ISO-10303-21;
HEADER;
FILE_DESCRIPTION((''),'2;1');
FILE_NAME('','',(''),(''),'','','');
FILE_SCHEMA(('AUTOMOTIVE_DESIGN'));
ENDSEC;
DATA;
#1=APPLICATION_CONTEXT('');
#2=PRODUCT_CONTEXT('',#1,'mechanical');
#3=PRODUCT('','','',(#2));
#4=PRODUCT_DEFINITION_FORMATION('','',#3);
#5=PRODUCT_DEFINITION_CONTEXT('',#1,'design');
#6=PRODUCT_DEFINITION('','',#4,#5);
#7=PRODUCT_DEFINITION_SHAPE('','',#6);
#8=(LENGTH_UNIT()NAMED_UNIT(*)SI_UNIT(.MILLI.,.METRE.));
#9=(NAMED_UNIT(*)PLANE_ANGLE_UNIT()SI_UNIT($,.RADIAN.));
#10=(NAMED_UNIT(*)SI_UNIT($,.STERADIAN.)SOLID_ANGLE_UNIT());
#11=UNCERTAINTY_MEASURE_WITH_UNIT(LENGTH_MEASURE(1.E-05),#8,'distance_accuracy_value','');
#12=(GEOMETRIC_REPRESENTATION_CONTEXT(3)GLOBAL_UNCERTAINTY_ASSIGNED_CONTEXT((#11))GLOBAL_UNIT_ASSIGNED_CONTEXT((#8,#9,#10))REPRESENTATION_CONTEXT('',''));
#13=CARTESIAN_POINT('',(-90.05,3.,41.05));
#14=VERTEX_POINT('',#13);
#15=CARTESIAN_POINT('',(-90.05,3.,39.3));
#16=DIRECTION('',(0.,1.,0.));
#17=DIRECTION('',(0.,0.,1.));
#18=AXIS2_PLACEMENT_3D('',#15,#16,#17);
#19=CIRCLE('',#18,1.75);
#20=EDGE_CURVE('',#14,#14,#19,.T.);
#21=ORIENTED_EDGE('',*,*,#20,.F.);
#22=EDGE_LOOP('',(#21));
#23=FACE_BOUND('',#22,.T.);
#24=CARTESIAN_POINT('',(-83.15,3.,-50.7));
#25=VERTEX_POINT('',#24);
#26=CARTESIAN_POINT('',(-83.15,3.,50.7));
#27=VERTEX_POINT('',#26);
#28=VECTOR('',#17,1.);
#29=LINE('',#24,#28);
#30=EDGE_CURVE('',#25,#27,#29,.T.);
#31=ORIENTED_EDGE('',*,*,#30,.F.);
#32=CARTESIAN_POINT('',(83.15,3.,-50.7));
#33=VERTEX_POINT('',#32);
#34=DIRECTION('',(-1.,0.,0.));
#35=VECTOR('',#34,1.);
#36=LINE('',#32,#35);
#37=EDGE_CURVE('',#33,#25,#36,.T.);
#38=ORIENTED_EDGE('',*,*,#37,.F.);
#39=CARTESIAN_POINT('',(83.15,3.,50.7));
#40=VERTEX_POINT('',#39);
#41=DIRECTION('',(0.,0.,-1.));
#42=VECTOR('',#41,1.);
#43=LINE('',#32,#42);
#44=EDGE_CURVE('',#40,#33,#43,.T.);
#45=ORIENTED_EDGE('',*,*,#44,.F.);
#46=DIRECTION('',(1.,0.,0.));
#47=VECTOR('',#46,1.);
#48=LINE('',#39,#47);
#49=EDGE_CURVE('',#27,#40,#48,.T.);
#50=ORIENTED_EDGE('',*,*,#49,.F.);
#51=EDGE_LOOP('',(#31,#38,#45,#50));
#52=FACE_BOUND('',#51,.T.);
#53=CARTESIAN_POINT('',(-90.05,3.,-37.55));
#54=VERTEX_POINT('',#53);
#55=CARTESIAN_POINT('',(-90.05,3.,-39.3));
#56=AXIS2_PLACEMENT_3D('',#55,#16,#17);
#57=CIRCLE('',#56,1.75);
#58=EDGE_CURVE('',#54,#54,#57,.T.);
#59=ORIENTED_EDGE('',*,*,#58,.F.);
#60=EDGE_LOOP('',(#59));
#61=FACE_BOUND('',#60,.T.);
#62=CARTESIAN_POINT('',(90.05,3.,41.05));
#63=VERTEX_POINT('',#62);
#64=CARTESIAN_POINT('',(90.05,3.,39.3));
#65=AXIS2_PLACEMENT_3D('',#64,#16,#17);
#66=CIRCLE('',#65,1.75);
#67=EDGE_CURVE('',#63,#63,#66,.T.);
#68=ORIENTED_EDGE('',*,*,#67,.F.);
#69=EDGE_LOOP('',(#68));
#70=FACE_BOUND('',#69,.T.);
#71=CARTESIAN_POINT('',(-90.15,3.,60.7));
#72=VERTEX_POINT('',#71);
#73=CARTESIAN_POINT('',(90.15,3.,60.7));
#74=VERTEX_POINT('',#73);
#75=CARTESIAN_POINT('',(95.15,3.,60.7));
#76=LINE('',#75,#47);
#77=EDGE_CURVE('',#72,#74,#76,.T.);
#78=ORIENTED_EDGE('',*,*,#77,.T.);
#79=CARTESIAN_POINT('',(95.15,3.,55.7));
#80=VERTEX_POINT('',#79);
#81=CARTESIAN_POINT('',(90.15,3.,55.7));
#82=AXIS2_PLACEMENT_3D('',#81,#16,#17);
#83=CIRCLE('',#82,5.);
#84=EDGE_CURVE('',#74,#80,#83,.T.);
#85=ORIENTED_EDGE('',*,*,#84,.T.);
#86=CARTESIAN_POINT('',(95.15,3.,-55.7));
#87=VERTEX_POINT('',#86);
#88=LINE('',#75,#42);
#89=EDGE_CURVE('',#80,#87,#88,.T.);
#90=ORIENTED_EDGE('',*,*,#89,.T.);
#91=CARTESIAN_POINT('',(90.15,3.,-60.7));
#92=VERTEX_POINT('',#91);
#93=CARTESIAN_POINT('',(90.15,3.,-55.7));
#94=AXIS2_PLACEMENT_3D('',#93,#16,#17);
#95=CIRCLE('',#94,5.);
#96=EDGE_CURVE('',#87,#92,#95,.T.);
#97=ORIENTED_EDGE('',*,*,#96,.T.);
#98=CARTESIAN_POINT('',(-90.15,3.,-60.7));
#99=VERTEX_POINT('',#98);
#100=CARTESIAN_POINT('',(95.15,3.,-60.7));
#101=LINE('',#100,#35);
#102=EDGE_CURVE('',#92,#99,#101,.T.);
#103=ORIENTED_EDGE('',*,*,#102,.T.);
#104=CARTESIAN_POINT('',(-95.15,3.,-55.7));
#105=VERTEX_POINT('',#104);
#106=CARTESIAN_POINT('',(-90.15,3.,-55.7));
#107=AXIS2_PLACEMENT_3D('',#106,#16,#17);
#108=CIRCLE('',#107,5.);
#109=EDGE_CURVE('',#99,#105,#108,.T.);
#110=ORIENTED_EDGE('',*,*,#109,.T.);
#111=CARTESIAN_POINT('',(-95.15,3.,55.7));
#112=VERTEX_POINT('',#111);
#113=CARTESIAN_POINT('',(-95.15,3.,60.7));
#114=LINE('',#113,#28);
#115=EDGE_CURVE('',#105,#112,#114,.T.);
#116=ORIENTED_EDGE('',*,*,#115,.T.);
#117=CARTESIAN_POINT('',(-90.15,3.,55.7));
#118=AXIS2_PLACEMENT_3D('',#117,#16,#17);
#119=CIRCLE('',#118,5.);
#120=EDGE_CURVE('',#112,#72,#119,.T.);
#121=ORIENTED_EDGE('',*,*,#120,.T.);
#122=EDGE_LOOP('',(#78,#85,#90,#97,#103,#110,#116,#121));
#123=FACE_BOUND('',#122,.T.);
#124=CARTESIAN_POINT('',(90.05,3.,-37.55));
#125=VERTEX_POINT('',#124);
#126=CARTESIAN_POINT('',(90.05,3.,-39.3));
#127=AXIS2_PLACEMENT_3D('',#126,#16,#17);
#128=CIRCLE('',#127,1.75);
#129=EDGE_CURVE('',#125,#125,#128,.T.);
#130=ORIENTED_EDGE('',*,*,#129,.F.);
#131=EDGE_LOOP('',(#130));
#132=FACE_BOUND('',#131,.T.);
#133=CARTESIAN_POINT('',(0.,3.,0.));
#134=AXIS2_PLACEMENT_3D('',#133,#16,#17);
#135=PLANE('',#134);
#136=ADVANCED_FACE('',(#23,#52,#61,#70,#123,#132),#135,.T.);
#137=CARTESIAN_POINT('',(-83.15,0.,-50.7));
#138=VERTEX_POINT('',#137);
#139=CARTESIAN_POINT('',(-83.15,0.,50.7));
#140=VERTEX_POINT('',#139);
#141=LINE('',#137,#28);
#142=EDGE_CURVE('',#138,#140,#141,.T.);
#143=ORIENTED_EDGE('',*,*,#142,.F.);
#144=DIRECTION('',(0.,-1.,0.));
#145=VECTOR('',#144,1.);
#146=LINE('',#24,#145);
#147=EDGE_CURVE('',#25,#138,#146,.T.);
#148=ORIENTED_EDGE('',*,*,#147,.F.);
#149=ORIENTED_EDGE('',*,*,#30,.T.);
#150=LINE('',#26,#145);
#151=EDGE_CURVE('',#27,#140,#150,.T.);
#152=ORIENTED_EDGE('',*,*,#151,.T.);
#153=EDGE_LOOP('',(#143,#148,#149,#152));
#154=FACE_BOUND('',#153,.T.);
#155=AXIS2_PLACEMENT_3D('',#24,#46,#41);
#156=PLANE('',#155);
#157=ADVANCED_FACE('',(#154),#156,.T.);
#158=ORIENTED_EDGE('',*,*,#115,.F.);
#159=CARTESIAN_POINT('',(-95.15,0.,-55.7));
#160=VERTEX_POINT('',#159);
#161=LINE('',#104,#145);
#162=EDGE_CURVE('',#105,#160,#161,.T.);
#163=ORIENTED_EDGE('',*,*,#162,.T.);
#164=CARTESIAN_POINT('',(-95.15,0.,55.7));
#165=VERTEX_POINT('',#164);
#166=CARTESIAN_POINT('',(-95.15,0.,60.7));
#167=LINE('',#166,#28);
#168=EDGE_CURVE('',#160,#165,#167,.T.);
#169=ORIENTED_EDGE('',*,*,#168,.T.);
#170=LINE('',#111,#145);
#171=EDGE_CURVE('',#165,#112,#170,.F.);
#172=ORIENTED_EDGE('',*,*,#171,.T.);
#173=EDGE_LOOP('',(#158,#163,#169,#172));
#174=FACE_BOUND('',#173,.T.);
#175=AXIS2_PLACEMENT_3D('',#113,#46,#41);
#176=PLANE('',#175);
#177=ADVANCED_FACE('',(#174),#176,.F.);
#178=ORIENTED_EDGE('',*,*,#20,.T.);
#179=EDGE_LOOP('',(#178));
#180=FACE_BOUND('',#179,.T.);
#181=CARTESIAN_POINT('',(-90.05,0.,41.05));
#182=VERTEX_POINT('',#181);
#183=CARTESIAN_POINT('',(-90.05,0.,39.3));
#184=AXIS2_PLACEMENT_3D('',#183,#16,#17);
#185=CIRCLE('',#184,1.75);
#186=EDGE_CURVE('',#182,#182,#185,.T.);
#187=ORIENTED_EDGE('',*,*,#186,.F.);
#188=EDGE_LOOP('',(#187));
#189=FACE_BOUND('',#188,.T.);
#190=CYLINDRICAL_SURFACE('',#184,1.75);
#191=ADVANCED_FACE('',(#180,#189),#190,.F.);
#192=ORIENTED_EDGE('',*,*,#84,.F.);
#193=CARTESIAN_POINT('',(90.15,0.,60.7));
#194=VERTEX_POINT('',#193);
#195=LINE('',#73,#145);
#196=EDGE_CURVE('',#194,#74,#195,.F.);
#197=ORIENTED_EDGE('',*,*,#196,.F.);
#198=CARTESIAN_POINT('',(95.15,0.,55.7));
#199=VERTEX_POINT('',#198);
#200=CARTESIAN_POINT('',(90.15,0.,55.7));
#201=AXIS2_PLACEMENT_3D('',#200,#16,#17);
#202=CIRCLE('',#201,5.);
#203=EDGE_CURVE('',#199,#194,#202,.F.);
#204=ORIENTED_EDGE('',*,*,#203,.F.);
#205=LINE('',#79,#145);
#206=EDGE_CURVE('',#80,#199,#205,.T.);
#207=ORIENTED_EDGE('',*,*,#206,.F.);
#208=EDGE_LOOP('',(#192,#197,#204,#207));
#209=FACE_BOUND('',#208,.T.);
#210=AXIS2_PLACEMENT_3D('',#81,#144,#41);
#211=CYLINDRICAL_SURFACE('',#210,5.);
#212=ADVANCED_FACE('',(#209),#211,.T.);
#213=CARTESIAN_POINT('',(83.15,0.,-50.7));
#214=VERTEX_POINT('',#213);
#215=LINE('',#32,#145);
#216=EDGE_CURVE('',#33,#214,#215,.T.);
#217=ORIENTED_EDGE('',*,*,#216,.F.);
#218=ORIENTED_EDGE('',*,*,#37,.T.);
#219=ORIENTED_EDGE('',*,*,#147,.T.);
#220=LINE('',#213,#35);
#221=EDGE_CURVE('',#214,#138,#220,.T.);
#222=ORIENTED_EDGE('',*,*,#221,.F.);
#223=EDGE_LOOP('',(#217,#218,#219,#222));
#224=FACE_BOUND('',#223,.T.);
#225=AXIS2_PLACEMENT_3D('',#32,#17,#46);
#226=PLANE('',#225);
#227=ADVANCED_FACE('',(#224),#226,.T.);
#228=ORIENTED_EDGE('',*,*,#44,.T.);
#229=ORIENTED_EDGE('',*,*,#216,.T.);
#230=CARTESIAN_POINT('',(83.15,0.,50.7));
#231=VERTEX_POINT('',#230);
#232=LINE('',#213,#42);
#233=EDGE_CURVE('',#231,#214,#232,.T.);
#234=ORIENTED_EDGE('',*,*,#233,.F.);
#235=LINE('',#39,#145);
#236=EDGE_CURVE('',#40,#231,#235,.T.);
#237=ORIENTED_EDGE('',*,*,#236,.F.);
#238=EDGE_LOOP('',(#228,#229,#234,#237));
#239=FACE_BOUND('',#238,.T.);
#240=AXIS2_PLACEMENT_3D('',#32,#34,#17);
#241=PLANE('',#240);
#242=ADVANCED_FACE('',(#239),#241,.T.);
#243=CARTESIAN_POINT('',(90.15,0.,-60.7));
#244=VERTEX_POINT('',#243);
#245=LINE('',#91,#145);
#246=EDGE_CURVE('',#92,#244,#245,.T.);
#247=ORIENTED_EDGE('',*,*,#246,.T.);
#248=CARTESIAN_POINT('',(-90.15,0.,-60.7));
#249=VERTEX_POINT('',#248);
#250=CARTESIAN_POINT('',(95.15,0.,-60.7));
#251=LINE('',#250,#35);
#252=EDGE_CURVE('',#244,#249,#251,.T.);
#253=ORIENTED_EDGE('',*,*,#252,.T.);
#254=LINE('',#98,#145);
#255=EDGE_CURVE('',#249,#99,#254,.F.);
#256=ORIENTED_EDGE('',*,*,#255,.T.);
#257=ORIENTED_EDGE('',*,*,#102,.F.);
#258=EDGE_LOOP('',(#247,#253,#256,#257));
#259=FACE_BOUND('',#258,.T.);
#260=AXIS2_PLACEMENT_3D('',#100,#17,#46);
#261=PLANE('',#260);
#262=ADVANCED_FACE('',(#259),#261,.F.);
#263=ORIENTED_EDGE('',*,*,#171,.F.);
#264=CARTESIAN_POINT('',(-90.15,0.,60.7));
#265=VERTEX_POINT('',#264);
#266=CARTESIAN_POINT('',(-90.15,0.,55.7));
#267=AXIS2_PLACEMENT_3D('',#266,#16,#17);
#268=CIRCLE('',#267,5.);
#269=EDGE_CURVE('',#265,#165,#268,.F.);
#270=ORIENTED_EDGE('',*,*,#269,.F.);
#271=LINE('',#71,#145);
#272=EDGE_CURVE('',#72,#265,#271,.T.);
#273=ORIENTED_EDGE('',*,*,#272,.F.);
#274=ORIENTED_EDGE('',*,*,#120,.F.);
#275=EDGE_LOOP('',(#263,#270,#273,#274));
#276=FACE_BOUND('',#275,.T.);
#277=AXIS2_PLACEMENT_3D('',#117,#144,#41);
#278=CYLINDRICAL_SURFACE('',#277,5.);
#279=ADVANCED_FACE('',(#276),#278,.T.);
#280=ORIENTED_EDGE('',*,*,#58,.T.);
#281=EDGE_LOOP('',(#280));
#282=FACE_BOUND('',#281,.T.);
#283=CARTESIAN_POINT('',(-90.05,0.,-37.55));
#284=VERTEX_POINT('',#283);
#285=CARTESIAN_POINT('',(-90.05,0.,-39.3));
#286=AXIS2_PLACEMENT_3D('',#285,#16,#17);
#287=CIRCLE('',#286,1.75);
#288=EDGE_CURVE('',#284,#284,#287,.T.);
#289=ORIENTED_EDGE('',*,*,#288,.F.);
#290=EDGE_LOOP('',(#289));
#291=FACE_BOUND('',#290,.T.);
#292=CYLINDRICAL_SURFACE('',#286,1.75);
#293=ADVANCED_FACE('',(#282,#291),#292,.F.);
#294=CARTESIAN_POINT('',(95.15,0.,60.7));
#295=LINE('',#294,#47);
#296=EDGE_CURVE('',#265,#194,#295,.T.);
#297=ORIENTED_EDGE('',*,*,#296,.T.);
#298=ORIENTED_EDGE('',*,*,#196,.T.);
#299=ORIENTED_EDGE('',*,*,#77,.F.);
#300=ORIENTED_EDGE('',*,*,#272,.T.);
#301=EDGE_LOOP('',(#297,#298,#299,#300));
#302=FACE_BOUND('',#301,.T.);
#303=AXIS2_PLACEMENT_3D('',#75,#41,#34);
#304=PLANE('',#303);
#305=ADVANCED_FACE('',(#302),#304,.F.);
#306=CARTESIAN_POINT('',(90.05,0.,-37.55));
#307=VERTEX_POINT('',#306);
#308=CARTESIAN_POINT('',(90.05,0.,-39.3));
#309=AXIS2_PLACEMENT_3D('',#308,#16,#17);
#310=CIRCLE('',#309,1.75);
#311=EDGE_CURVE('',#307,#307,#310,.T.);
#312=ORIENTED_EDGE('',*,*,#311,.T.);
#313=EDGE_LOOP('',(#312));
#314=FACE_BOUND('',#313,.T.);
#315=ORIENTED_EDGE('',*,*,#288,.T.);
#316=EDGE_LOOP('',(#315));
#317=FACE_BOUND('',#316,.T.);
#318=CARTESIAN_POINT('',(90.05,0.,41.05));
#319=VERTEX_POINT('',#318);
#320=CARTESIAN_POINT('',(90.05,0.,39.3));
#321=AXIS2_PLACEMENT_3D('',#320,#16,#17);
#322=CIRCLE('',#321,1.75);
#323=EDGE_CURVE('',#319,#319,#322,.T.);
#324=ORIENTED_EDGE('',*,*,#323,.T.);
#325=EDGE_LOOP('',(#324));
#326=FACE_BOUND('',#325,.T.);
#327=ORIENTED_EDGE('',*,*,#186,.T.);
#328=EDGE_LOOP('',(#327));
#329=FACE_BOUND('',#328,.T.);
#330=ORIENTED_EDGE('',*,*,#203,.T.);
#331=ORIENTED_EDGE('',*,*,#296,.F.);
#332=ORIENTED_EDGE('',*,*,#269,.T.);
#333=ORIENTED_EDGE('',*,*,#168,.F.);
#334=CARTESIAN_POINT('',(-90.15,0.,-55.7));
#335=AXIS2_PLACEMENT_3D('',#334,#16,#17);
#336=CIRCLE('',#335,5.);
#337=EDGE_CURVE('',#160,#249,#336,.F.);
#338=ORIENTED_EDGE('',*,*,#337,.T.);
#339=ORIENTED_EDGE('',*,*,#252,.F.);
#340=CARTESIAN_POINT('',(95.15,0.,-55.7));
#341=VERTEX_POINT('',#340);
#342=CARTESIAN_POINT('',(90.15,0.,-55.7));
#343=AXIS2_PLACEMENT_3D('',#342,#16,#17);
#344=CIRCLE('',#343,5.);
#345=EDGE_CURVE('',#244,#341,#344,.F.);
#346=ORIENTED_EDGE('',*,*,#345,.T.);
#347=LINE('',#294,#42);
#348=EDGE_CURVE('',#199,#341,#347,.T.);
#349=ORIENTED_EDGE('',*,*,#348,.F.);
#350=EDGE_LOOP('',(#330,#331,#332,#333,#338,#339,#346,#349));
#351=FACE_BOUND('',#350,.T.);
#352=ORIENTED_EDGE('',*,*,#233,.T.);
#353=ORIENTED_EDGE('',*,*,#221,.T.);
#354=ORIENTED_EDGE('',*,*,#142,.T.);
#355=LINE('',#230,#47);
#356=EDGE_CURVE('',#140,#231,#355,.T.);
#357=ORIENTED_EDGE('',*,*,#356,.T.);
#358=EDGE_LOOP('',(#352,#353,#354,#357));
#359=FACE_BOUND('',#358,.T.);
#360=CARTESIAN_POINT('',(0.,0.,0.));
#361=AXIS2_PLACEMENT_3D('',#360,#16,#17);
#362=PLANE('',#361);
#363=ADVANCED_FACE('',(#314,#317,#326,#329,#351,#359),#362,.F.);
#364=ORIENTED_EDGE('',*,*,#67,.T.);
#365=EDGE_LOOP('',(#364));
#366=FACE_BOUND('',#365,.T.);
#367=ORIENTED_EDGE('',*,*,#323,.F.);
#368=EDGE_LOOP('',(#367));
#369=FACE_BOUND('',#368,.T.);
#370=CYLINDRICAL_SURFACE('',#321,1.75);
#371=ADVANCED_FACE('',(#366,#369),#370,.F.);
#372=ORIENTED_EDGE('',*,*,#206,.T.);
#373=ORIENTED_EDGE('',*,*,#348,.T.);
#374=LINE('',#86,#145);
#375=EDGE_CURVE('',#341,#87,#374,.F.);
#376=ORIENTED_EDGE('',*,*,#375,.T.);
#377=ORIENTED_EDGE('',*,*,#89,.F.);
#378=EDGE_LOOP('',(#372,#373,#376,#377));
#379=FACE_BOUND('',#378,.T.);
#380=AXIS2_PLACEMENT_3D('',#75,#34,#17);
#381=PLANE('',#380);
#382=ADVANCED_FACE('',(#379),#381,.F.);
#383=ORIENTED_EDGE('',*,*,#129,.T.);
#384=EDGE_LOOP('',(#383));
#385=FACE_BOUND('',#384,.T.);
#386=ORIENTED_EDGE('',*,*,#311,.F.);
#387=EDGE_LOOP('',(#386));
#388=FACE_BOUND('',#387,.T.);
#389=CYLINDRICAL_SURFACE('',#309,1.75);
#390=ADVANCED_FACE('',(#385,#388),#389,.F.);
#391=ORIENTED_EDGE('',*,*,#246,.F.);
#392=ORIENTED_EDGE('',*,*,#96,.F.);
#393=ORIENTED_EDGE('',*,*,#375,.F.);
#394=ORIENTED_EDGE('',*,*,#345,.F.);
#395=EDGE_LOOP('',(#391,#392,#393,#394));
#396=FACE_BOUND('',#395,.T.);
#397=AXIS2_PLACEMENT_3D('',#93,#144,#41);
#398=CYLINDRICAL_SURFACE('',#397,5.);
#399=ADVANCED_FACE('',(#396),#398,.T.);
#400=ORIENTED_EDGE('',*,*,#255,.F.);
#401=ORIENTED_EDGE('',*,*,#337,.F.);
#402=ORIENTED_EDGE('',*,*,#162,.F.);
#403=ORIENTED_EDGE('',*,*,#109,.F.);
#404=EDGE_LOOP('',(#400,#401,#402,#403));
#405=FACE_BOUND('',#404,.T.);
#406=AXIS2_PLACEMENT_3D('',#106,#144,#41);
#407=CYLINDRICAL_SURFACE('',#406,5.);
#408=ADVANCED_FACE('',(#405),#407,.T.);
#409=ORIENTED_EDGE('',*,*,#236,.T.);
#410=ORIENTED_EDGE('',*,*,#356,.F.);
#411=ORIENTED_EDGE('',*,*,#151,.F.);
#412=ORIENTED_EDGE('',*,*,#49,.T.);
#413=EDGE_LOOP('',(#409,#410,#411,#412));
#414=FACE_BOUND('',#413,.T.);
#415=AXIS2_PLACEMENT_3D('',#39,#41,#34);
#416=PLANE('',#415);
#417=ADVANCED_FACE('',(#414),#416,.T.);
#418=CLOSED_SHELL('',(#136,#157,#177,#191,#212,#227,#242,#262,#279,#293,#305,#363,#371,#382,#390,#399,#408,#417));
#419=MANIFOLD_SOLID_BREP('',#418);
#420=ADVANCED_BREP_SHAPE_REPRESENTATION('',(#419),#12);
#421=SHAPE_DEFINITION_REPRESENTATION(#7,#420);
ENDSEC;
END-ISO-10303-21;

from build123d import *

# Parameters (mm, degrees)
SKETCH1_W          = 190.3
SKETCH1_H          = 121.4
SKETCH1_W_2        = 166.3
SKETCH1_H_2        = 101.4
EXTRUDE1_DEPTH     = 3
FILLET1_R          = 5
SKETCH2_R          = 1.75
CUT_EXTRUDE1_DEPTH = 3


with BuildPart() as part:
    # Sketch1 → Extrude1 (new body)
    with BuildSketch(Plane(origin=(0, 0, 0), x_dir=(1, 0, 0), z_dir=(0, 1, 0))):
        Rectangle(SKETCH1_W, SKETCH1_H)
        Rectangle(SKETCH1_W_2, SKETCH1_H_2, mode=Mode.SUBTRACT)
    extrude(amount=EXTRUDE1_DEPTH)

    # Fillet1
    fillet1_edges = [part.edges().sort_by_distance(p)[0] for p in [
        (-95.15, 1.5, -60.7),
        (95.15, 1.5, -60.7),
        (95.15, 1.5, 60.7),
        (-95.15, 1.5, 60.7),
    ]]
    fillet(fillet1_edges, radius=FILLET1_R)

    # Sketch2 → Cut-Extrude1 (cut)
    with BuildSketch(Plane(origin=(-128.478742323, 3, 300.3), x_dir=(1, 0, 0), z_dir=(0, 1, 0))):
        with Locations(Location((38.428742323, 339.6, 0), (0, 0, 270))):
            Circle(SKETCH2_R)
        with Locations(Location((218.528742323, 339.6, 0), (0, 0, 270))):
            Circle(SKETCH2_R)
        with Locations(Location((218.528742323, 261, 0), (0, 0, 270))):
            Circle(SKETCH2_R)
        with Locations(Location((38.428742323, 261, 0), (0, 0, 270))):
            Circle(SKETCH2_R)
    extrude(amount=-CUT_EXTRUDE1_DEPTH, mode=Mode.SUBTRACT)


solid = part.part
